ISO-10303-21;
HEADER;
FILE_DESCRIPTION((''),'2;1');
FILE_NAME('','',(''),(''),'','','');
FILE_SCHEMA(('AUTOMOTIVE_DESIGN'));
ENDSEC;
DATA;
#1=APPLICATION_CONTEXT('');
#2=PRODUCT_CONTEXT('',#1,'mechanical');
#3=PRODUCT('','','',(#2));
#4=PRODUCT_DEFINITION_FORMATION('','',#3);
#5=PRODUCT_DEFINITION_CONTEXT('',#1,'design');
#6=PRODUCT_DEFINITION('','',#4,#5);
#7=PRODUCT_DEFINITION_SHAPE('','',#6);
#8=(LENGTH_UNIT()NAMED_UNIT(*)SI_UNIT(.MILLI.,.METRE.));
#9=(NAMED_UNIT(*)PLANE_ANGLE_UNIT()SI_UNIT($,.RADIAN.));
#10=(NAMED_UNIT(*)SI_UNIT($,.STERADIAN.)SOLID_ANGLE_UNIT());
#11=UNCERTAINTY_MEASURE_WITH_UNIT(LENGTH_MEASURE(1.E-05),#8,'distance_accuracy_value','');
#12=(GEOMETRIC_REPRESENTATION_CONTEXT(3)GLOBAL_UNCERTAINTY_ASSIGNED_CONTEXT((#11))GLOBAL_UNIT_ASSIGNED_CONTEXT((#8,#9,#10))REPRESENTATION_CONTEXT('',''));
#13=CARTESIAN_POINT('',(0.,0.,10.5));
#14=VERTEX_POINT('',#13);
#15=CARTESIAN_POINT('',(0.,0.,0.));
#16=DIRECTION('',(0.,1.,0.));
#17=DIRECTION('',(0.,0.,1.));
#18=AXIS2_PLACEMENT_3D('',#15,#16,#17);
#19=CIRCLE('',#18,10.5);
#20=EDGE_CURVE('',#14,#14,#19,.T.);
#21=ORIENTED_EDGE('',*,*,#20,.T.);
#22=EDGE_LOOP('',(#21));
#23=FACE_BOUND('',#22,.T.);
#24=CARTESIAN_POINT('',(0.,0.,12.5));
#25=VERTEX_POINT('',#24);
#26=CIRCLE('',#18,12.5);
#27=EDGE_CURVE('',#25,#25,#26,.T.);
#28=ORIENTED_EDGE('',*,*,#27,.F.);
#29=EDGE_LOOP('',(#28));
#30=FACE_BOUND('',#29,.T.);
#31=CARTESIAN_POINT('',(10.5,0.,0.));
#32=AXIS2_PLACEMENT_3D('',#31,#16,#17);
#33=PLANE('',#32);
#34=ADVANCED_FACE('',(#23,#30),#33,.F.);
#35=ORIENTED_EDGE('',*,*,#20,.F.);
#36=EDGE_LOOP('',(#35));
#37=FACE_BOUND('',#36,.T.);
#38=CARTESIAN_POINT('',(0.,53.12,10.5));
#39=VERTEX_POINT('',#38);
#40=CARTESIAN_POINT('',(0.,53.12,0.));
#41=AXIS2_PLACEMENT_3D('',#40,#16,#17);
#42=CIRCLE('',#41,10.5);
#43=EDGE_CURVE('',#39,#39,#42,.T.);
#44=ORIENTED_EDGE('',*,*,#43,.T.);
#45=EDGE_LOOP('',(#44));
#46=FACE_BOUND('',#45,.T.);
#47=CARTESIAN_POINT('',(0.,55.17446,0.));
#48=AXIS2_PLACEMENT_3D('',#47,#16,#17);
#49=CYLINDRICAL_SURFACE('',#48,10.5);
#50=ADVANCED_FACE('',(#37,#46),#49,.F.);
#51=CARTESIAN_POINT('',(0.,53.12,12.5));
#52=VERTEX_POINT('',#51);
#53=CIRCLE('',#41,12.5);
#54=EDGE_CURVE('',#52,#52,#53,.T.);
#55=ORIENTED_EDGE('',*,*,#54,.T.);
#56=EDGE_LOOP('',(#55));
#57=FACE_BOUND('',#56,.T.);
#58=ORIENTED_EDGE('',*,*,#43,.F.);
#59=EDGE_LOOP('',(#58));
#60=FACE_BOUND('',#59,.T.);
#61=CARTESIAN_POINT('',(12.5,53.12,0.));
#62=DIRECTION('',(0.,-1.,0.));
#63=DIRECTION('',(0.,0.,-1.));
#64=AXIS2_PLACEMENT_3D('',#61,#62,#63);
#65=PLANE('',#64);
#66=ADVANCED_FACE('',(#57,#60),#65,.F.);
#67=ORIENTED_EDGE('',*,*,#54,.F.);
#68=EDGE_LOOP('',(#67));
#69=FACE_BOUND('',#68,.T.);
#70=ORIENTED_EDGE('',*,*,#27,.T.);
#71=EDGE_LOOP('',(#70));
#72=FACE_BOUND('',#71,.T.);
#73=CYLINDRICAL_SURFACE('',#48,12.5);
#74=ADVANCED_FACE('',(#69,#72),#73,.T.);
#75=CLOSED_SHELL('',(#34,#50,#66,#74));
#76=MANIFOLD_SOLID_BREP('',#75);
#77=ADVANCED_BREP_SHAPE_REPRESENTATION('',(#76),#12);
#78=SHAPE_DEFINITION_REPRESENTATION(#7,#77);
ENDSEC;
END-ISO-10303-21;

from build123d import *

# Parameters (mm, degrees)
SKETCH1_W = 2
SKETCH1_H = 53.12


with BuildPart() as part:
    # Sketch1 → Revolve1 (revolve)
    with BuildSketch(Plane.XY, mode=Mode.PRIVATE) as revolve1_sk:
        with Locations((11.5, 26.56)):
            Rectangle(SKETCH1_W, SKETCH1_H)
    revolve(revolve1_sk.sketch.rotate(Axis((0, 55.174459908, 0), (0, -1, 0)), 90), axis=Axis((0, 55.174459908, 0), (0, -1, 0)))


solid = part.part
